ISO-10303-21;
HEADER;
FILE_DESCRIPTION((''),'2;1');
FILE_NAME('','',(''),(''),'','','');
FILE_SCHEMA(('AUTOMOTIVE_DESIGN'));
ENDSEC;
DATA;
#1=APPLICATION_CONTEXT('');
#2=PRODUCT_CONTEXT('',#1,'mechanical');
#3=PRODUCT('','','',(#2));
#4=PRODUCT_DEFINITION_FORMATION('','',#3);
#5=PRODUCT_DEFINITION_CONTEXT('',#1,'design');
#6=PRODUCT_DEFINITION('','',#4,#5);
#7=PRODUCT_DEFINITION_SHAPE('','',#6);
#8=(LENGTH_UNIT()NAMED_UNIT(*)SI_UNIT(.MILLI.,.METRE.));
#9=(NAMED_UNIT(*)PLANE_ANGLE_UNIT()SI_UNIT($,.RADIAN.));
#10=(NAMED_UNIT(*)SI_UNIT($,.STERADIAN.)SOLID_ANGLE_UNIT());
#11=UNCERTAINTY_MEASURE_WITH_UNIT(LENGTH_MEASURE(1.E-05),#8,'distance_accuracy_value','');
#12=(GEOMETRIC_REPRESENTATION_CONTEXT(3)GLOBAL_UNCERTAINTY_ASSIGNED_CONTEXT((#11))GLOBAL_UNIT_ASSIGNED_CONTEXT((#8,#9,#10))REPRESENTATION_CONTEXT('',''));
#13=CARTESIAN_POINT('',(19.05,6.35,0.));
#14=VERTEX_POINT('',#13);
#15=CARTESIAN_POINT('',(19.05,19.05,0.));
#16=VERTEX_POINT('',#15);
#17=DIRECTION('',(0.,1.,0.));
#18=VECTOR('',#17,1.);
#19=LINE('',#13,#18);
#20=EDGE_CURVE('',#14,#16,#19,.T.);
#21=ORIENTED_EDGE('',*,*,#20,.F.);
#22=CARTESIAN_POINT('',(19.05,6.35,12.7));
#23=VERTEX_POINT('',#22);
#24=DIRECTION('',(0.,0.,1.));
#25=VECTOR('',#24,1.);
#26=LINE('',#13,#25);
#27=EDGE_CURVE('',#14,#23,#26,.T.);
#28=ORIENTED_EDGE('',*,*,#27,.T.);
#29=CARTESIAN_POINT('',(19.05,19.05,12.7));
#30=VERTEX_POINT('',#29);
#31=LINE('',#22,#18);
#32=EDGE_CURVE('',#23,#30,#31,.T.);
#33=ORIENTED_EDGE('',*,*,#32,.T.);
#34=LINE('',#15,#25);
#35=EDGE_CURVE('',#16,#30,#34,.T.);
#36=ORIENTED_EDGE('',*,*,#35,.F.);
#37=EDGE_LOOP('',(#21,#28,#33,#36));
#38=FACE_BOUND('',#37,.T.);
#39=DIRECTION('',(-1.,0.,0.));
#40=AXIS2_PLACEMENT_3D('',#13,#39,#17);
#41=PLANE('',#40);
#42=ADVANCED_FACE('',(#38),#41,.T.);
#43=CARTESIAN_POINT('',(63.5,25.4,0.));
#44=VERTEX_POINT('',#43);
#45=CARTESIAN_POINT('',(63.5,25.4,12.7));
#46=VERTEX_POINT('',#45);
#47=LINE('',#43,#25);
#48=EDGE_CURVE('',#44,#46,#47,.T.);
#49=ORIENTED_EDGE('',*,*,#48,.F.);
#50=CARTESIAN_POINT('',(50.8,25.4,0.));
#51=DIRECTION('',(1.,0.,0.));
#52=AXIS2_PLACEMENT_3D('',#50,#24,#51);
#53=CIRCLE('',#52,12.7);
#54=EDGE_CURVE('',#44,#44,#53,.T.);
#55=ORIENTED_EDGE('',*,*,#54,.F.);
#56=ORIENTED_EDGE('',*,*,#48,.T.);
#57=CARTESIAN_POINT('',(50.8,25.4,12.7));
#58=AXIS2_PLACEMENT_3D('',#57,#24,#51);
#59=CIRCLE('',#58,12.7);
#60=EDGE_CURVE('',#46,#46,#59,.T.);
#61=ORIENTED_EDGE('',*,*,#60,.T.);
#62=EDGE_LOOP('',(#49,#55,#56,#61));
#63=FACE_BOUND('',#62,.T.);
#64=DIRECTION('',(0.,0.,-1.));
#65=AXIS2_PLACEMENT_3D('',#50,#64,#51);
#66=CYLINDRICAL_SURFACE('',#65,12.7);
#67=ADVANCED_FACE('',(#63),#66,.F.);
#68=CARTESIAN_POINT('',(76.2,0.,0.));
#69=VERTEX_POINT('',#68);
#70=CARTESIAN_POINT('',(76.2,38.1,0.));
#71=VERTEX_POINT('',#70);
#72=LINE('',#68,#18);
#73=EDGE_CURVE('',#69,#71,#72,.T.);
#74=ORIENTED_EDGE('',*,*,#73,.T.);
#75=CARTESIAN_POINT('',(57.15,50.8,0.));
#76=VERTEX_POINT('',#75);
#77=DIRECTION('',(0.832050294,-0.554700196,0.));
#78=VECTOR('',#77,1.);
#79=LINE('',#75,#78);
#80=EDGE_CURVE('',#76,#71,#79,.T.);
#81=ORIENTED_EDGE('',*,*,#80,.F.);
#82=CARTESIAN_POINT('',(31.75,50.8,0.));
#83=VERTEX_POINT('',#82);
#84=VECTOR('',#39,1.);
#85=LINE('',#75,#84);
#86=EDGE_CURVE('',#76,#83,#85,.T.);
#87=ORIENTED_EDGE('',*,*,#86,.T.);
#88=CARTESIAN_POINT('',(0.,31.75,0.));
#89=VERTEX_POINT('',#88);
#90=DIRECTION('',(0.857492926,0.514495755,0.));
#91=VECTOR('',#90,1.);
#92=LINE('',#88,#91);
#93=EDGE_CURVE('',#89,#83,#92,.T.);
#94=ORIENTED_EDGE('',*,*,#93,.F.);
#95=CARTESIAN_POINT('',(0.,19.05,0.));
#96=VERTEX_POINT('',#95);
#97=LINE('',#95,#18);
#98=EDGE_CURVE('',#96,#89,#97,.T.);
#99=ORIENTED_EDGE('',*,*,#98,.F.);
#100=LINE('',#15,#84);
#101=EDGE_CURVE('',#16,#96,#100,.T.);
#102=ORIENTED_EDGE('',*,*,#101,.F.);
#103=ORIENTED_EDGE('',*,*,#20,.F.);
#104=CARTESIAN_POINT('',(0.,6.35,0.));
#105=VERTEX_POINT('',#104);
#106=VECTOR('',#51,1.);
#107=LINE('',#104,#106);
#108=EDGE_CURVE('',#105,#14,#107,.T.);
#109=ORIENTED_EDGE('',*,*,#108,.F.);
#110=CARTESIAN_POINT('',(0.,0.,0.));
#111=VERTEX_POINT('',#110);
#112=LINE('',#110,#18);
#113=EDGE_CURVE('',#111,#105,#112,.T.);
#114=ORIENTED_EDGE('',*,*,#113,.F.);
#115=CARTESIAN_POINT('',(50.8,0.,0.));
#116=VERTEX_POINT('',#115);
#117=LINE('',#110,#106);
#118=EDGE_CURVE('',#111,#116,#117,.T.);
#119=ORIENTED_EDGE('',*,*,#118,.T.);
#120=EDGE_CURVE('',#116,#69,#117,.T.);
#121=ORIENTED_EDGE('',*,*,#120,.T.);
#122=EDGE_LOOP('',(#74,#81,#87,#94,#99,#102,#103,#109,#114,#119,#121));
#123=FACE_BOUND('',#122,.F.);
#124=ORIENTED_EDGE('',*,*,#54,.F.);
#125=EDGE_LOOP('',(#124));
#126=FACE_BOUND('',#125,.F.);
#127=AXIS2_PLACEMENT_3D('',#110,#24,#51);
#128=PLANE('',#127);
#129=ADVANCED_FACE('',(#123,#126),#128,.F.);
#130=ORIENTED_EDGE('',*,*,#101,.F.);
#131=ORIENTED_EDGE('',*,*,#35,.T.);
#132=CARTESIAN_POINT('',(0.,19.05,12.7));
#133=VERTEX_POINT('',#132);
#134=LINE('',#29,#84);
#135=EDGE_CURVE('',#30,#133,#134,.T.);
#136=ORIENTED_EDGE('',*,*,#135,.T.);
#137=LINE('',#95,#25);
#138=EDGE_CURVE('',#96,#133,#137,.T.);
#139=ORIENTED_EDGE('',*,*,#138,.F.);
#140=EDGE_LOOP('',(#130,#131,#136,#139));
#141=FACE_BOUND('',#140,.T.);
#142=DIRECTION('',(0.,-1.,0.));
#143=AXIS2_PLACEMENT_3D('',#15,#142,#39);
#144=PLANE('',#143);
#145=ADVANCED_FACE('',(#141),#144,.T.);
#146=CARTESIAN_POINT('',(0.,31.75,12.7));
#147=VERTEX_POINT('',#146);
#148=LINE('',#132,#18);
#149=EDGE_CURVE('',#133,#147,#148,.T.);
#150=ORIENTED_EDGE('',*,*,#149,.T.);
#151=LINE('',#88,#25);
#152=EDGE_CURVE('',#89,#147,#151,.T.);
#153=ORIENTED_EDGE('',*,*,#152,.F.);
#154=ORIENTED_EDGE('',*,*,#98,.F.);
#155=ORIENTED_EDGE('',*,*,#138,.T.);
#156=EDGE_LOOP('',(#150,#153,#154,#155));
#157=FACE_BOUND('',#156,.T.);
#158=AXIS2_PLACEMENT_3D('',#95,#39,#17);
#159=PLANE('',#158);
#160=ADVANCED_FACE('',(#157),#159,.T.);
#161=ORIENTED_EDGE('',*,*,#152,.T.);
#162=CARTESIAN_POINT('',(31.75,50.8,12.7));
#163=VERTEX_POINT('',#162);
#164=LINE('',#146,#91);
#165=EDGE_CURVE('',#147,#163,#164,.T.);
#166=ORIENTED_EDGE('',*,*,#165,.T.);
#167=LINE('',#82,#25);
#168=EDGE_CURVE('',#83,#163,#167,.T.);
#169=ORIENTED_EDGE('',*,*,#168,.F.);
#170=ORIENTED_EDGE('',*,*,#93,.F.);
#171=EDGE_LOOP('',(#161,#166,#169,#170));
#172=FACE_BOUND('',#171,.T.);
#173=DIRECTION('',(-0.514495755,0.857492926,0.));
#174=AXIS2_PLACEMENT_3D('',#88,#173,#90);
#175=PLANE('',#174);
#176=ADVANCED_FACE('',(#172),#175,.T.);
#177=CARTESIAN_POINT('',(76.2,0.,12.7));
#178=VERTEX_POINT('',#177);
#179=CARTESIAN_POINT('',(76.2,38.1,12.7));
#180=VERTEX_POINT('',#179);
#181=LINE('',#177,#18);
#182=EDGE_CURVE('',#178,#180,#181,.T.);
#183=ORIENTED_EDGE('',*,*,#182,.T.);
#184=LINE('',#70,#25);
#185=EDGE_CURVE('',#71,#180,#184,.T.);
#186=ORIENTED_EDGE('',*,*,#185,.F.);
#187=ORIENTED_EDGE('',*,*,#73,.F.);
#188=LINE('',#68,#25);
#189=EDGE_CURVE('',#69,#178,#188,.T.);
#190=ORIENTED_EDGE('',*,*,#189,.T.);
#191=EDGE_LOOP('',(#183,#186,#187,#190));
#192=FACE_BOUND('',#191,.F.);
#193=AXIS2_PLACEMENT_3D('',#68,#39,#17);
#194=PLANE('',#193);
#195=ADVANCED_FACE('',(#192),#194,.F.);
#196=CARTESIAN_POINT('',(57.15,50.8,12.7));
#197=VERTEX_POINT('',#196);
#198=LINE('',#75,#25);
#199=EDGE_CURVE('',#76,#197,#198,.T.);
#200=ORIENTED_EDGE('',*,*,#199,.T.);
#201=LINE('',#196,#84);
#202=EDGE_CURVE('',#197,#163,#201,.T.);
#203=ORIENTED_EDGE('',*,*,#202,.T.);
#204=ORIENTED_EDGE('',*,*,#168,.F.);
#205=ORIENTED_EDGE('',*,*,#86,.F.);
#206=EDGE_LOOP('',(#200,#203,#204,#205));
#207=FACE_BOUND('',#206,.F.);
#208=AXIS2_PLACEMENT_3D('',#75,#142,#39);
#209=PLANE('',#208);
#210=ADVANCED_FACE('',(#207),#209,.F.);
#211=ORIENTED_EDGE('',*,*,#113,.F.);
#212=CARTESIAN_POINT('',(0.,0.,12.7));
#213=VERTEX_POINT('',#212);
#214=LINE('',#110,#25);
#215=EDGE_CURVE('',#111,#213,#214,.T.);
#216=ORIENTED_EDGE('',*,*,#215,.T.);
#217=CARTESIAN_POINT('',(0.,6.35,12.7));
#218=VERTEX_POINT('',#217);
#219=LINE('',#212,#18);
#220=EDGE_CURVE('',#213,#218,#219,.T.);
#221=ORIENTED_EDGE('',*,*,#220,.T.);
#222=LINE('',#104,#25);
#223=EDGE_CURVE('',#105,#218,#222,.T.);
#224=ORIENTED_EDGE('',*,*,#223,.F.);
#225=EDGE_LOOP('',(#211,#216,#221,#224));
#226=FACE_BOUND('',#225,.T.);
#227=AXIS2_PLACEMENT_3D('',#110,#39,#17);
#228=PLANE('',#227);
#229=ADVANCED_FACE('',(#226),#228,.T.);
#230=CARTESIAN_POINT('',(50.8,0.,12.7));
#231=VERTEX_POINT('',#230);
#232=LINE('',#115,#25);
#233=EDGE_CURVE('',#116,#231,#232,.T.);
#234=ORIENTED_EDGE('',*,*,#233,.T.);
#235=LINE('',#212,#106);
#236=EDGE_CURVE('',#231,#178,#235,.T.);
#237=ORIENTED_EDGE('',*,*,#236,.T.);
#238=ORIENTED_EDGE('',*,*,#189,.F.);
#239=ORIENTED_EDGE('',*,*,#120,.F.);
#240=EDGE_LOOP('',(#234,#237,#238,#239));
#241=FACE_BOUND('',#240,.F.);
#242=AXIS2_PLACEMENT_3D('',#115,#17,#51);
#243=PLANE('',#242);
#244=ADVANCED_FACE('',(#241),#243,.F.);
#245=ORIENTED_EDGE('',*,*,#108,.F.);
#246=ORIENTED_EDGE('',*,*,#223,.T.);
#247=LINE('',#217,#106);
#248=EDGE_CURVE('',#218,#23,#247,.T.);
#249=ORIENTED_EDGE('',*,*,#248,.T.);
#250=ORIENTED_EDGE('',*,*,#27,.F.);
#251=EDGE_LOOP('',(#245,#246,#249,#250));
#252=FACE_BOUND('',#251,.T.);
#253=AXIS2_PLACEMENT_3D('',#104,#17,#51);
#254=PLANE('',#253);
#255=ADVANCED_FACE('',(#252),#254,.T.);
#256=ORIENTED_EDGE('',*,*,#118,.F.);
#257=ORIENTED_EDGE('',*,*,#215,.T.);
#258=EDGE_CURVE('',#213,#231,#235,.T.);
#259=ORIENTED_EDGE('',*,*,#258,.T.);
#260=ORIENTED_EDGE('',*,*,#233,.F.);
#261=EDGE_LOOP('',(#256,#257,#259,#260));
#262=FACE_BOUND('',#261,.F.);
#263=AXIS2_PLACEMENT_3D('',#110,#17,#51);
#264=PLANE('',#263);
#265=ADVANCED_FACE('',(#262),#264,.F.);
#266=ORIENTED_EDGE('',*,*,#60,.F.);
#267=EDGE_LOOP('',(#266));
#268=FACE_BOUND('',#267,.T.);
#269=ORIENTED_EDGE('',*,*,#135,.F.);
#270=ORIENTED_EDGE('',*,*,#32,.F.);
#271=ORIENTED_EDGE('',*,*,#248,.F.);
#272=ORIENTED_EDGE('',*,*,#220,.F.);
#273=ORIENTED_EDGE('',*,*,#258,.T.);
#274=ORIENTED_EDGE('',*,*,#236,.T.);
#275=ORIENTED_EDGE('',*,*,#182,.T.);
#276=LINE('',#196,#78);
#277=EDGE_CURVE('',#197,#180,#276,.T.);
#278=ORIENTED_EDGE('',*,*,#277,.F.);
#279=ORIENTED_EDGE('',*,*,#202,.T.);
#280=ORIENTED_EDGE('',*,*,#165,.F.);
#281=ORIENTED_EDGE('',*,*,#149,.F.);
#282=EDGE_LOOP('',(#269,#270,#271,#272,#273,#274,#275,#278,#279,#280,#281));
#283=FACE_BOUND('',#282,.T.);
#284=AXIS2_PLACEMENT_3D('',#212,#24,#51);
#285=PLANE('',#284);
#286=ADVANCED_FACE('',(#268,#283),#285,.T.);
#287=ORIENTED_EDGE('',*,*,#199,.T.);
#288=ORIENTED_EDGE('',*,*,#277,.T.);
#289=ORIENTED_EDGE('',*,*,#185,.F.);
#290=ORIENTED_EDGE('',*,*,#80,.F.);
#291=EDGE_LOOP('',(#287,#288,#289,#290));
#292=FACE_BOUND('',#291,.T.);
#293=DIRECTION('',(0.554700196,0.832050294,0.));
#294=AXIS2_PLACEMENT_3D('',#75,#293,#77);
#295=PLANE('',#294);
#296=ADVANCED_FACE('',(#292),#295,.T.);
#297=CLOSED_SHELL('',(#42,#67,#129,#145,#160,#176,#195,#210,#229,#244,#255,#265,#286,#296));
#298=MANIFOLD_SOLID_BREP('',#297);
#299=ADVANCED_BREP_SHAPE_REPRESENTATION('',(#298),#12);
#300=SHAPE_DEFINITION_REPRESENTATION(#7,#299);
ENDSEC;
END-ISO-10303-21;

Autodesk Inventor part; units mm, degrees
ref_plane "YZ Plane" through (0, 0, 0) normal (1, 0, 0) x (0, 1, 0)
ref_plane "XZ Plane" through (0, 0, 0) normal (0, 1, 0) x (-1, 0, 0)
ref_plane "XY Plane" through (0, 0, 0) normal (0, 0, 1) x (1, 0, 0)
sketch "Sketch1" plane through (0, 0, 0) normal (0, 0, 1) x (1, 0, 0)
  line L0 (0, 0) -> (76.2, 0)
  line L1 (76.2, 0) -> (76.2, 38.1)
  line L2 (57.15, 50.8) -> (31.75, 50.8)
  line L3 (57.15, 50.8) -> (76.2, 38.1)
  line L4 (0, 0) -> (0, 6.35)
  line L5 (0, 6.35) -> (19.05, 6.35)
  line L6 (19.05, 6.35) -> (19.05, 19.05)
  line L7 (19.05, 19.05) -> (0, 19.05)
  line L8 (0, 19.05) -> (0, 31.75)
  line L9 (0, 31.75) -> (31.75, 50.8)
  line L10 (76.2, 0) -> (50.8, 0)
  circle A0 centre (50.8, 25.4) radius 12.7
  dimension "d0" = 76.2
  dimension "d1" = 38.1
  dimension "d4" = 25.4
  dimension "d5" = 6.35
  dimension "d6" = 19.05
  dimension "d7" = 12.7
  dimension "d8" = 19.05
  dimension "d9" = 12.7
  dimension "d10" = 25.4
  dimension "d12" = 25.4
extrude "Extrusion1" add sketch "Sketch1" along normal blind 12.7
properties part number "Assignment 1.1 - Inclined Support"
